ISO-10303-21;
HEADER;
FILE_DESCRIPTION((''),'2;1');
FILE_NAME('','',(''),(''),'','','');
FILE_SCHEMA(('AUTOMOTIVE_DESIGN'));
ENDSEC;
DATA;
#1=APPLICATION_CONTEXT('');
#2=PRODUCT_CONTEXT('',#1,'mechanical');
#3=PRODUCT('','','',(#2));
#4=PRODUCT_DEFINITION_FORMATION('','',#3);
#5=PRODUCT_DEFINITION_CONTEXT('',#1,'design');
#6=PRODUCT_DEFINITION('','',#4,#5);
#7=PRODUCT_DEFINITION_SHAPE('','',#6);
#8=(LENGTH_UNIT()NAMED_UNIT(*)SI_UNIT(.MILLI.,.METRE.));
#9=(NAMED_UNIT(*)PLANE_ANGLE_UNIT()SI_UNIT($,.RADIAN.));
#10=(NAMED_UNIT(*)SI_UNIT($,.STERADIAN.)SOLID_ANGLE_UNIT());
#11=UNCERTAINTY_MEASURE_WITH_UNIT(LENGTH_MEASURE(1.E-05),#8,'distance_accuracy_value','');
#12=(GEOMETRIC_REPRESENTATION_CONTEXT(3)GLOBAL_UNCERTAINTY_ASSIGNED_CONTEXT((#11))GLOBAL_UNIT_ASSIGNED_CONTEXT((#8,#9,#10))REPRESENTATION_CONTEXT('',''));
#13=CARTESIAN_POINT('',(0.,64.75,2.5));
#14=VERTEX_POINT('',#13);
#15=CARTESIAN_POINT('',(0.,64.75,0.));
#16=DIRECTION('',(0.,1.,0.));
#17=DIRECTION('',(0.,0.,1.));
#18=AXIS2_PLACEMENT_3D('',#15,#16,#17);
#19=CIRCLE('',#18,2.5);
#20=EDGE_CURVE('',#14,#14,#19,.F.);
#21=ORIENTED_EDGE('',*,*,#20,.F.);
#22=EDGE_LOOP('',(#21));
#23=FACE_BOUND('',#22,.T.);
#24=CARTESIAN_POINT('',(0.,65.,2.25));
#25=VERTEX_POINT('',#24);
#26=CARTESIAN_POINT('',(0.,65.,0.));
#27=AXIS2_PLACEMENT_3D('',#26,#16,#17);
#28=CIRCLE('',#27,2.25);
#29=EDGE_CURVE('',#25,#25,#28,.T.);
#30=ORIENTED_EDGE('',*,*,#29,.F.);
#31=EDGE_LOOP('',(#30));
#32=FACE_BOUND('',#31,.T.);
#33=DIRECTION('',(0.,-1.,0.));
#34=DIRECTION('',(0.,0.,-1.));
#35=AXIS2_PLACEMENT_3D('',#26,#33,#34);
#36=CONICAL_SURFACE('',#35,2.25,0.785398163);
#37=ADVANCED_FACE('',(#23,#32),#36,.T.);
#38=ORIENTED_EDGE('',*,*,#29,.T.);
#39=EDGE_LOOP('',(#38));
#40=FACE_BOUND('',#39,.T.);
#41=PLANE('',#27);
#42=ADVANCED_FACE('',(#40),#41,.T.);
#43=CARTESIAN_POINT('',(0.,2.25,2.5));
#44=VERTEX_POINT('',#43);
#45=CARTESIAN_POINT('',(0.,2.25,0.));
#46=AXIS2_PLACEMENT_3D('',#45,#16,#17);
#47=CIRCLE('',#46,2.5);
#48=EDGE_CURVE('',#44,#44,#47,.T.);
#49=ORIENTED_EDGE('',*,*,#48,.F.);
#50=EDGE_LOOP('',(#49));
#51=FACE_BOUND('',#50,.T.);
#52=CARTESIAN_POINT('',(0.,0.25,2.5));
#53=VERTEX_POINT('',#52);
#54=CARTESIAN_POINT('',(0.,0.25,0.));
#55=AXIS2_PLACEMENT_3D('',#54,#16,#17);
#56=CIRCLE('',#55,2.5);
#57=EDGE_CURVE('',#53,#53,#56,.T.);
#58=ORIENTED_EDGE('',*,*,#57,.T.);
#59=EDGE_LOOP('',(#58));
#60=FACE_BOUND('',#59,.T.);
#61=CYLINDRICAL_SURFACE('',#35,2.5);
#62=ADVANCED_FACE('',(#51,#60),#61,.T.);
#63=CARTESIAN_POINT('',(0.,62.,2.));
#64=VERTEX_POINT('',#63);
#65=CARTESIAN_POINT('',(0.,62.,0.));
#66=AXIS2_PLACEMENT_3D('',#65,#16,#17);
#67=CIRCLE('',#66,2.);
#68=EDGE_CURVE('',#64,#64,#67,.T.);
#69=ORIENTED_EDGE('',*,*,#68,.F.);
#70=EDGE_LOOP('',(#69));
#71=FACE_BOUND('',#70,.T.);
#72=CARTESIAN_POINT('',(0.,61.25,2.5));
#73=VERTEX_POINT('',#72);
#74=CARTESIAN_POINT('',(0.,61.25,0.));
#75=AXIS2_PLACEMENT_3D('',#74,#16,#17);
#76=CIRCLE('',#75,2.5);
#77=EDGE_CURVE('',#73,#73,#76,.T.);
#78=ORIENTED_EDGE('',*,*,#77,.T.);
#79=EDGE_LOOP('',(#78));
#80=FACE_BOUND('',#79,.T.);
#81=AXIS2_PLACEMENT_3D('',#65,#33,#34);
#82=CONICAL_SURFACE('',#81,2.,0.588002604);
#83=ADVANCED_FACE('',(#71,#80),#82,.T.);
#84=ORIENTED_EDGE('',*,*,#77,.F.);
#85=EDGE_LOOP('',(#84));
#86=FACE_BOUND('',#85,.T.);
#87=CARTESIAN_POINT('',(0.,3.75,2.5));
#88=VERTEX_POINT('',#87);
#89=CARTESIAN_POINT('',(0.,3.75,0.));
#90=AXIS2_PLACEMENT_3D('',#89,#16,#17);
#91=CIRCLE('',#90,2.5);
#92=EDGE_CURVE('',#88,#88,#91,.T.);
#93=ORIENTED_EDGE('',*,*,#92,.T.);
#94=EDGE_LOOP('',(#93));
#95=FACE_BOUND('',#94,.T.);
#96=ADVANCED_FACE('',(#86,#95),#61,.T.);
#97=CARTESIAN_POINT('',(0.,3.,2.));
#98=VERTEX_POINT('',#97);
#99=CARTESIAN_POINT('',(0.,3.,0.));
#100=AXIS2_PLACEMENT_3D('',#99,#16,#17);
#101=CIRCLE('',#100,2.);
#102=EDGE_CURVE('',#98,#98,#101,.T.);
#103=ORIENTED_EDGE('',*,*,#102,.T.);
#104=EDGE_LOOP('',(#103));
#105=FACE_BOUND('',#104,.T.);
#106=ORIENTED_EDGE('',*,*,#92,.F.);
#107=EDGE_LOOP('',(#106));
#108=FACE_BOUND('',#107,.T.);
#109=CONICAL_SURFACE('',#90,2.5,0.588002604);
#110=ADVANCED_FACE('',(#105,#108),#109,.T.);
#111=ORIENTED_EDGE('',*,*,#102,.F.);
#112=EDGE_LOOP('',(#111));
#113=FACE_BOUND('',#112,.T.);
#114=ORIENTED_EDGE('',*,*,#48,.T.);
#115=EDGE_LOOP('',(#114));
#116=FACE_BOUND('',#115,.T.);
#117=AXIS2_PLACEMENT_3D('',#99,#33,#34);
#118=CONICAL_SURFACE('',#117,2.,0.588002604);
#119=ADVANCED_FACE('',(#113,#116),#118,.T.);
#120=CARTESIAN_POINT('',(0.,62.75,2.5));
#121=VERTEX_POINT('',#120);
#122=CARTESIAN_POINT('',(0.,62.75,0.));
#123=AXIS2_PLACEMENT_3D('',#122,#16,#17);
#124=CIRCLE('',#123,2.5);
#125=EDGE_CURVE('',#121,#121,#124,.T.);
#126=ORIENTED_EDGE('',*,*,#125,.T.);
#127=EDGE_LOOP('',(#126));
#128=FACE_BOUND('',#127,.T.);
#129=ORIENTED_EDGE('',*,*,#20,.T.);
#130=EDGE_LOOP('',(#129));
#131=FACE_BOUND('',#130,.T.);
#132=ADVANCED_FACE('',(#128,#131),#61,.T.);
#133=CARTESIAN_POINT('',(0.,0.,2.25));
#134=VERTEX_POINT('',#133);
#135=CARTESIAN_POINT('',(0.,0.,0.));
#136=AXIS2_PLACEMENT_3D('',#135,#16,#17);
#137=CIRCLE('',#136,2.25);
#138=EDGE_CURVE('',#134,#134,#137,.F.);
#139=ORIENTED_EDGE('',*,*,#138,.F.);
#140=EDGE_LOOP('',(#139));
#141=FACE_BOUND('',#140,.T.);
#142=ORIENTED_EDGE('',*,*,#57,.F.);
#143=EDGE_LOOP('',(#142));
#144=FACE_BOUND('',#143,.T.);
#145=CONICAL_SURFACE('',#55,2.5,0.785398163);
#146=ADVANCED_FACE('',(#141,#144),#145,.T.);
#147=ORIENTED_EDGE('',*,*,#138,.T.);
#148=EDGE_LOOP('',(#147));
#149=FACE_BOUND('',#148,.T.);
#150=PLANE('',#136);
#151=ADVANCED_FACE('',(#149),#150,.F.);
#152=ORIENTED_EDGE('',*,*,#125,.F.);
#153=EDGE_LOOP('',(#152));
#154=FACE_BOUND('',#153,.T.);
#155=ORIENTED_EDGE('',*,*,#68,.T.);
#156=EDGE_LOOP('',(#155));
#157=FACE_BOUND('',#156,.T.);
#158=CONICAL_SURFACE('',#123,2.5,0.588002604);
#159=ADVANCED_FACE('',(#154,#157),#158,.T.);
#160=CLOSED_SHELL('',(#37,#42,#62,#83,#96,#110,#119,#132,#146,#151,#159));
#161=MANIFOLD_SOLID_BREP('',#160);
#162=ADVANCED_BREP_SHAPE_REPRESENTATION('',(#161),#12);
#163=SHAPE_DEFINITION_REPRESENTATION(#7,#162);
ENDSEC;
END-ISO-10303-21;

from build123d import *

# Parameters (mm, degrees)
ESQUISSE1_R        = 2.5
BOSS_EXTRU_1_DEPTH = 65
CHANFREIN1_SIZE    = 0.25


with BuildPart() as part:
    # Esquisse1 → Boss.-Extru.1 (new body)
    with BuildSketch(Plane(origin=(0, 0, 0), x_dir=(1, 0, 0), z_dir=(0, 1, 0))):
        Circle(ESQUISSE1_R)
    extrude(amount=BOSS_EXTRU_1_DEPTH)

    # Chanfrein1
    chanfrein1_edges = [part.edges().sort_by_distance(p)[0] for p in [
        (-2.5, 0, 0),
        (-2.5, 65, 0),
    ]]
    chamfer(chanfrein1_edges, length=CHANFREIN1_SIZE)

    # Esquisse2 → Enlèvement de matière-Révolution1 (revolve, cut)
    with BuildSketch(Plane.XY):
        Polygon((2.5, 62.75), (2, 62), (2.5, 61.25), align=None)
        Polygon((2, 3), (2.5, 3.75), (2.5, 2.25), align=None)
    revolve(axis=Axis((0, 64.75, 0), (0, -1, 0)), mode=Mode.SUBTRACT)


solid = part.part
